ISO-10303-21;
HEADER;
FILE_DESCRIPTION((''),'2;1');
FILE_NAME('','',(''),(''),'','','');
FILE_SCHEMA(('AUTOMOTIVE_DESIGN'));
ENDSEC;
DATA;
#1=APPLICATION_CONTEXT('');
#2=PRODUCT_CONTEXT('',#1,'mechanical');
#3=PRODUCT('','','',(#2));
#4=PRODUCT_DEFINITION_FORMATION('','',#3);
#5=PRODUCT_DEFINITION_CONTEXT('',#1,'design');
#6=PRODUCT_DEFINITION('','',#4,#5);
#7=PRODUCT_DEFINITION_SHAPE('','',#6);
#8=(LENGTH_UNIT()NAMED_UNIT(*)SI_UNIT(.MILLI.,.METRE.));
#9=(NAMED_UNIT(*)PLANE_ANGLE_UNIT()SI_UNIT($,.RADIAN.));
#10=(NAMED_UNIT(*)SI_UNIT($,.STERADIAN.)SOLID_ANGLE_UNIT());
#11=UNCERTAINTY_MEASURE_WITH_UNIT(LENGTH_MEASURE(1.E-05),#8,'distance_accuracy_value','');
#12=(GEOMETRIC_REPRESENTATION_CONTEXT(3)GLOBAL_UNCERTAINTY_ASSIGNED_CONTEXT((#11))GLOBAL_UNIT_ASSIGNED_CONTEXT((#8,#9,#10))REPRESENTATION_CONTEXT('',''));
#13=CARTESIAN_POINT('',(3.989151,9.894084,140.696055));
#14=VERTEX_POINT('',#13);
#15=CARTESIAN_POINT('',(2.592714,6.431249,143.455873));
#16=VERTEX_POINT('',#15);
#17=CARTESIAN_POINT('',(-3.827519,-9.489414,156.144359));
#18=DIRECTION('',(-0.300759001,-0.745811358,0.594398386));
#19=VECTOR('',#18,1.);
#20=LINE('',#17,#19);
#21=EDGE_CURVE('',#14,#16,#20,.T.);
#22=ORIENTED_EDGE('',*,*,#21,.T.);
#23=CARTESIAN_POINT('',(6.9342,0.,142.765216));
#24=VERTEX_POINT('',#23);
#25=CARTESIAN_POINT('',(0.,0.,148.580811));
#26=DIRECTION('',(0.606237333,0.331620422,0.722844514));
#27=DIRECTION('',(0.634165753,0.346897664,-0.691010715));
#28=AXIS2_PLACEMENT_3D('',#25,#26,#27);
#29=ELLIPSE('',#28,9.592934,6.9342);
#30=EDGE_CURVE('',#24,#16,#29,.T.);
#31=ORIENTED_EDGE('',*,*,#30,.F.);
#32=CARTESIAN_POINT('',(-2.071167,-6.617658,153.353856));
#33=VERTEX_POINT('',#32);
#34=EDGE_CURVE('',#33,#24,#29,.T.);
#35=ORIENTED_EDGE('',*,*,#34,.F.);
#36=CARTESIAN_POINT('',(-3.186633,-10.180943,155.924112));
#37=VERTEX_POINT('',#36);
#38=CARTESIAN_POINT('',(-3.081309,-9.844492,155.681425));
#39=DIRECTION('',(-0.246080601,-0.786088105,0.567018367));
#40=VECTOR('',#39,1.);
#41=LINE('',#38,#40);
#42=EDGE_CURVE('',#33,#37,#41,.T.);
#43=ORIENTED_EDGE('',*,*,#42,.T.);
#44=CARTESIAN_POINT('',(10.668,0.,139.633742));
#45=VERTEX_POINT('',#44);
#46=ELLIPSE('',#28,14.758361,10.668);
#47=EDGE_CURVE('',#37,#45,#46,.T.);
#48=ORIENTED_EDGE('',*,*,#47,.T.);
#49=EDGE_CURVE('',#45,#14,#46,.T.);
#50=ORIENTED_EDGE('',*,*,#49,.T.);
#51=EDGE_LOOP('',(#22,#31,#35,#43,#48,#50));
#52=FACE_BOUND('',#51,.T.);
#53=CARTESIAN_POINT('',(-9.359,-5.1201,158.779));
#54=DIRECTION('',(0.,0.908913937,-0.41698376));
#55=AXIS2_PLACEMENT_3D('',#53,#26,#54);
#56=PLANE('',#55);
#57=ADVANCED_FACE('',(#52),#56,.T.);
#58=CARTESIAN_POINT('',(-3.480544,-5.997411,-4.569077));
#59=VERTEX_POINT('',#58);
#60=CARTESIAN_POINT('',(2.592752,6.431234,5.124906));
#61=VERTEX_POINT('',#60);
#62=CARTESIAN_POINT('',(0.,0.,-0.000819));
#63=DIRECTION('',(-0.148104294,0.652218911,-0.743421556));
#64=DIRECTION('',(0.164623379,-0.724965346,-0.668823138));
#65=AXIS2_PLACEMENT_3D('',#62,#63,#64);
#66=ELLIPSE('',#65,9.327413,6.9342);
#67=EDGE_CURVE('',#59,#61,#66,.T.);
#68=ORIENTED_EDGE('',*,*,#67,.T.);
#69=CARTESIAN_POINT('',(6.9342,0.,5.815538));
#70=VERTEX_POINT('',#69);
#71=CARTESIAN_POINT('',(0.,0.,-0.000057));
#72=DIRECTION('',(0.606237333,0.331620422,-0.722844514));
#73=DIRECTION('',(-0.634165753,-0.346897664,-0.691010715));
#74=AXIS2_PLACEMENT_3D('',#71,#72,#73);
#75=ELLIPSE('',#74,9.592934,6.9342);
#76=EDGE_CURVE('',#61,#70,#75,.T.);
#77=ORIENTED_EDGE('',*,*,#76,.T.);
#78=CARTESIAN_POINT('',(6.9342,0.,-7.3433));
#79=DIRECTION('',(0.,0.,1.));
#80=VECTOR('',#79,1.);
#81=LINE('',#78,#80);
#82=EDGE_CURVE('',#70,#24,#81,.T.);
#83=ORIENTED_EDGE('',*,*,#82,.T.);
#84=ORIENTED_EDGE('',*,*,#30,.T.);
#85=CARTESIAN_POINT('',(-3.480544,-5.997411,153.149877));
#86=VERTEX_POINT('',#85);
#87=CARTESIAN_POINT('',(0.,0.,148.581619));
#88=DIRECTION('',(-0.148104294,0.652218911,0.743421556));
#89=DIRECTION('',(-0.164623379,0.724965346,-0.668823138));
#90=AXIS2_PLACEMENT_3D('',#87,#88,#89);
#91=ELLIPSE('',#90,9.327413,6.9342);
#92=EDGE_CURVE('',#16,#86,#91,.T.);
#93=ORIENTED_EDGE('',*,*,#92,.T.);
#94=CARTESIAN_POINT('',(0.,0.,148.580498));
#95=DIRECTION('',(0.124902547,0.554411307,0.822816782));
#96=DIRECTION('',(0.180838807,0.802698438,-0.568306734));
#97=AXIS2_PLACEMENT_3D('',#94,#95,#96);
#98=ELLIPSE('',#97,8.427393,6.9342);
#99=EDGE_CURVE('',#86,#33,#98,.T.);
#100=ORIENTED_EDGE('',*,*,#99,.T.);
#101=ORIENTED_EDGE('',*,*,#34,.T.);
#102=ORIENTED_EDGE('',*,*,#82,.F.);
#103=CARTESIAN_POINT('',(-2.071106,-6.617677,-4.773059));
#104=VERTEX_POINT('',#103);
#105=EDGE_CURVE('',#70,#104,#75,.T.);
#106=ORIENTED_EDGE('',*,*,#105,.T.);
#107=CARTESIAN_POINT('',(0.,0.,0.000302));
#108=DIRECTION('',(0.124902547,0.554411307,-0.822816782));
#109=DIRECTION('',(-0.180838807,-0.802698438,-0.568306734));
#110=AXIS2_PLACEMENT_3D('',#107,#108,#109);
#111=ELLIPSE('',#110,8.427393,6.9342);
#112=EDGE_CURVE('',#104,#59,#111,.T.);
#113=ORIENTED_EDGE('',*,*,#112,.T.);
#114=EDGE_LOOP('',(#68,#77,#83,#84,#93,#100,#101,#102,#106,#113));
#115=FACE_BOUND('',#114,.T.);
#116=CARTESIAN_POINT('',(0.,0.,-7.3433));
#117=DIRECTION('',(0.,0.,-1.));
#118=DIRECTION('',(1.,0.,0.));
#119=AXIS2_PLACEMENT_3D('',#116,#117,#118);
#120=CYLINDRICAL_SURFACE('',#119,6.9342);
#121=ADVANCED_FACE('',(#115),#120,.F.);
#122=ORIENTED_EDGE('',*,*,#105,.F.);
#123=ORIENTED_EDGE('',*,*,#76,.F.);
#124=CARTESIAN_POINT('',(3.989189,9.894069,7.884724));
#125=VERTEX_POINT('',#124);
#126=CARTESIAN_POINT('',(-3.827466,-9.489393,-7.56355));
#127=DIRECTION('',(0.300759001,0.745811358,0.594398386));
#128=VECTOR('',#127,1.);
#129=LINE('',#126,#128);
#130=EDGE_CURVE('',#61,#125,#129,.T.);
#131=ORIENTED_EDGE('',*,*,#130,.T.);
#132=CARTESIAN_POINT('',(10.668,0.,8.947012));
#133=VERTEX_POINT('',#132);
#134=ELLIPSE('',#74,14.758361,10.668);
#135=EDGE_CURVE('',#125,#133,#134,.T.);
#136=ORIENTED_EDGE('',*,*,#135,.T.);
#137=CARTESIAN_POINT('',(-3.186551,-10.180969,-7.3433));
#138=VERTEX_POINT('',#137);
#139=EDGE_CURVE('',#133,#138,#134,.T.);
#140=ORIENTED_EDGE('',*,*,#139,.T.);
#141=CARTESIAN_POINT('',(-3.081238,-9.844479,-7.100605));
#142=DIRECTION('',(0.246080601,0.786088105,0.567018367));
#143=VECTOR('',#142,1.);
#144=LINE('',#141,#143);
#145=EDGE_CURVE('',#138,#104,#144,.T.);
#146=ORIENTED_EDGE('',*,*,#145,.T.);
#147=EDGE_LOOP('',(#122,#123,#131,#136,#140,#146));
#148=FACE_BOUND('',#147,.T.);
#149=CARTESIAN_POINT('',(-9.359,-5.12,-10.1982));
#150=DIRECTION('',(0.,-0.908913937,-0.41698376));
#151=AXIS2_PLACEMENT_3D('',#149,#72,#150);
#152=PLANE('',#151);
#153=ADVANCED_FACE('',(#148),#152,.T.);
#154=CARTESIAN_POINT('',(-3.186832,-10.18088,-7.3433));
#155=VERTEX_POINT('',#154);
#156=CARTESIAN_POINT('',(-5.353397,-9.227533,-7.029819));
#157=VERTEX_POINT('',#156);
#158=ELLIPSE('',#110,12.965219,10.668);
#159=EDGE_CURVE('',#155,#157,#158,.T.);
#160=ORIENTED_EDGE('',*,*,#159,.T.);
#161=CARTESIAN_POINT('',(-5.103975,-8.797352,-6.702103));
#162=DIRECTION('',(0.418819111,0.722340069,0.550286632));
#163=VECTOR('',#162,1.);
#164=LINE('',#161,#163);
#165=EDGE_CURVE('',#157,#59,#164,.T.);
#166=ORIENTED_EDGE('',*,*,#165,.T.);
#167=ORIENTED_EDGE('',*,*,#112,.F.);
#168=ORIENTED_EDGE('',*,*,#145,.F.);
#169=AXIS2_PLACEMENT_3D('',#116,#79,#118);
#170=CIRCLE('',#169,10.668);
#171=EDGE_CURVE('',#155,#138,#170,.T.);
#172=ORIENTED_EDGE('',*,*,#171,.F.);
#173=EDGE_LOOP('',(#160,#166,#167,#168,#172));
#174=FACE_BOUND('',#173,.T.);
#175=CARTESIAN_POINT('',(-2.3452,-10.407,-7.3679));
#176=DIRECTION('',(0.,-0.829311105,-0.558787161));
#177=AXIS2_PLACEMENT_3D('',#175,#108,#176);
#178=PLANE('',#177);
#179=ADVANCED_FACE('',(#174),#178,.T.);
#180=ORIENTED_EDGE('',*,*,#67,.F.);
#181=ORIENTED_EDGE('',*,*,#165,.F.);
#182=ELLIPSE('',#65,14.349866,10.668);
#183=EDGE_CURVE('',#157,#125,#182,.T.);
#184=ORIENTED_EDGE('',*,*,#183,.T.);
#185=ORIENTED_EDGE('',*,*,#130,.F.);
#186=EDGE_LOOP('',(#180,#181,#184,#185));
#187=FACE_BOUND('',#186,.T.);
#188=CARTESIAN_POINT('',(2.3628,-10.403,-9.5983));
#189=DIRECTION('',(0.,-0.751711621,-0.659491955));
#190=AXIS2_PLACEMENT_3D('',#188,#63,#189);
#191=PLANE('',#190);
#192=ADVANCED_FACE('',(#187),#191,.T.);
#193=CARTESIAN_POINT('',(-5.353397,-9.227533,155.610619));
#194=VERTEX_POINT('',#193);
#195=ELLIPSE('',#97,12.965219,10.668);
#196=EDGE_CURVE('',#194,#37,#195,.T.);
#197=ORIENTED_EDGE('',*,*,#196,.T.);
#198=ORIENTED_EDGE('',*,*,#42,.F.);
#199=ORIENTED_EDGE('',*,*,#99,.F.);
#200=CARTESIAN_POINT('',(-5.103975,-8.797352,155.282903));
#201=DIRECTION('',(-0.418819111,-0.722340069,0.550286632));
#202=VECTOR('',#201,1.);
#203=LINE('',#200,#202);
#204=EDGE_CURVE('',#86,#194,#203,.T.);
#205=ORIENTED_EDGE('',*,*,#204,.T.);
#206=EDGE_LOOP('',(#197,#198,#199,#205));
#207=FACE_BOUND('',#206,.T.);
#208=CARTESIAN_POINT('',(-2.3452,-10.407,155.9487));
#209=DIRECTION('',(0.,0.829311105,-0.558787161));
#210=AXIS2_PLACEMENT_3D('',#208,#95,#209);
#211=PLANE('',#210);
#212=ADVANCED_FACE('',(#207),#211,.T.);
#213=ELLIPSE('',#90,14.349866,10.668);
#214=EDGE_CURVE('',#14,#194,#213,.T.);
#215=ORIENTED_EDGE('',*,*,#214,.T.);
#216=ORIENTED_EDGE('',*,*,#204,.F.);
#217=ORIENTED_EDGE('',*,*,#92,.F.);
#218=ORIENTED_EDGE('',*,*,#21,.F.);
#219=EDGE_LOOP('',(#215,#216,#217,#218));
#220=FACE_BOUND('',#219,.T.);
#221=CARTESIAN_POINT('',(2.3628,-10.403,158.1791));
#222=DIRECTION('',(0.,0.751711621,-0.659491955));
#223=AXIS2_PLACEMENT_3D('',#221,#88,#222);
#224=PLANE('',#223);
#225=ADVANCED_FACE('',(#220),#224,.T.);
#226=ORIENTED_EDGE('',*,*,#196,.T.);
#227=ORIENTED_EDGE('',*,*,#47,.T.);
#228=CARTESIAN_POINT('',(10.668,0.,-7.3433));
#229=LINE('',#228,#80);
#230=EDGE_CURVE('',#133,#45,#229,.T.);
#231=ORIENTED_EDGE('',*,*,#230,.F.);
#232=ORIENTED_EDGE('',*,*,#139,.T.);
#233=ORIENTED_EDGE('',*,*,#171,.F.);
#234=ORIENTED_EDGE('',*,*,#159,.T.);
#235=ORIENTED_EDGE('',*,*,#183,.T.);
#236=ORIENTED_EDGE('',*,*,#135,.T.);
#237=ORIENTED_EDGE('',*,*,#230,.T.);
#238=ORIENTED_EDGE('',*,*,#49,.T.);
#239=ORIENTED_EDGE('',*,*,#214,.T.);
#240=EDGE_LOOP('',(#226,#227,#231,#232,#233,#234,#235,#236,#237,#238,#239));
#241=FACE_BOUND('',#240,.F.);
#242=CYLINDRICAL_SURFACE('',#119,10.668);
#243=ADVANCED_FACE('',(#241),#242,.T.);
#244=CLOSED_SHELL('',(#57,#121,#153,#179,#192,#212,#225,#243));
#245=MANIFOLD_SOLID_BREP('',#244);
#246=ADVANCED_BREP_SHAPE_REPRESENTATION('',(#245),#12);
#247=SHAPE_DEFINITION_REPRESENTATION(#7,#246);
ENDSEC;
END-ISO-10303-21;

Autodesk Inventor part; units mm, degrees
ref_plane "Start Plane" through (0, 0, -7.3433) normal (0, 0, 1) x (1, 0, 0)
ref_plane "End Plane" through (0, 0, 155.9241) normal (0, 0, 1) x (1, 0, 0)
sketch "Sketch" plane through (0, 0, 0) normal (0, 0, 1) x (1, 0, 0)
  circle A0 centre (0, 0) radius 6.9342
  circle A1 centre (0, 0) radius 10.668
  dimension "d0" = 21.336
  dimension "d1" = 3.7338
extrude "Body" add sketch "Sketch" along normal up to surface (163.2675 mm away) from surface at -7.3433
sketch "Sketch3" plane through (0, 0, 0) normal (0, 0, 1) x (1, 0, 0)
  line L0 (0, 0) -> (10, 0)
ref_plane "Work Plane3" through (0, 0, 0) normal (0, -1, 0) x (1, 0, 0)
sketch "Sketch4" plane through (0, 0, 0) normal (0, -1, 0) x (1, 0, 0)
  line L0 (-2, -7.3433) -> (12, -7.3433)
  line L1 (-2, 155.9241) -> (12, 155.9241)
  dimension "d7" = 163.2675
ref_plane "Work Plane4" through (-9.359, -5.1201, 158.779) normal (0.6062, 0.3316, 0.7228) x (0.7867, -0.1167, -0.6062)
split "Split1" plane through (-9.359, -5.1201, 158.779) removes the side toward (0.6062, 0.3316, 0.7228)
ref_plane "Work Plane5" through (-2.3452, -10.407, 155.9487) normal (0.1249, 0.5544, 0.8228) x (0.9914, -0.038, -0.1249)
split "Split2" plane through (-2.3452, -10.407, 155.9487) removes the side toward (0.1249, 0.5544, 0.8228)
ref_plane "Work Plane6" through (2.3628, -10.403, 158.1791) normal (-0.1481, 0.6522, 0.7434) x (0.9874, 0.0554, 0.1481)
split "Split3" plane through (2.3628, -10.403, 158.1791) removes the side toward (-0.1481, 0.6522, 0.7434)
ref_plane "Work Plane7" through (-9.359, -5.12, -10.1982) normal (0.6062, 0.3316, -0.7228) x (-0.326, -0.7254, -0.6062)
split "Split4" plane through (-9.359, -5.12, -10.1982) removes the side toward (0.6062, 0.3316, -0.7228)
ref_plane "Work Plane8" through (-2.3452, -10.407, -7.3679) normal (0.1249, 0.5544, -0.8228) x (0.9119, -0.3909, -0.1249)
split "Split5" plane through (-2.3452, -10.407, -7.3679) removes the side toward (0.1249, 0.5544, -0.8228)
ref_plane "Work Plane9" through (2.3628, -10.403, -9.5983) normal (-0.1481, 0.6522, -0.7434) x (0.9145, 0.3765, 0.1481)
split "Split6" plane through (2.3628, -10.403, -9.5983) removes the side toward (-0.1481, 0.6522, -0.7434)
equation "\"d0\" = G_H"
equation "\"d1\" = G_T"
equation "\"d2\" = G_L"
equation "\"G_H\" = 21.336"
equation "\"G_T\" = 3.7338"
equation "\"G_L\" = 163.26749"
equation "\"G_OFFSET_START\" = 7.34335"
equation "\"G_OFFSET_END\" = 7.34335"
equation "\"d4\" = -G_OFFSET_START"
equation "\"d5\" = G_OFFSET_END + B_L"
equation "\"B_L\" = 148.5808"
properties part number "ANSI - 1/2 x 0.147 - 6.428" material "Steel, Mild"
